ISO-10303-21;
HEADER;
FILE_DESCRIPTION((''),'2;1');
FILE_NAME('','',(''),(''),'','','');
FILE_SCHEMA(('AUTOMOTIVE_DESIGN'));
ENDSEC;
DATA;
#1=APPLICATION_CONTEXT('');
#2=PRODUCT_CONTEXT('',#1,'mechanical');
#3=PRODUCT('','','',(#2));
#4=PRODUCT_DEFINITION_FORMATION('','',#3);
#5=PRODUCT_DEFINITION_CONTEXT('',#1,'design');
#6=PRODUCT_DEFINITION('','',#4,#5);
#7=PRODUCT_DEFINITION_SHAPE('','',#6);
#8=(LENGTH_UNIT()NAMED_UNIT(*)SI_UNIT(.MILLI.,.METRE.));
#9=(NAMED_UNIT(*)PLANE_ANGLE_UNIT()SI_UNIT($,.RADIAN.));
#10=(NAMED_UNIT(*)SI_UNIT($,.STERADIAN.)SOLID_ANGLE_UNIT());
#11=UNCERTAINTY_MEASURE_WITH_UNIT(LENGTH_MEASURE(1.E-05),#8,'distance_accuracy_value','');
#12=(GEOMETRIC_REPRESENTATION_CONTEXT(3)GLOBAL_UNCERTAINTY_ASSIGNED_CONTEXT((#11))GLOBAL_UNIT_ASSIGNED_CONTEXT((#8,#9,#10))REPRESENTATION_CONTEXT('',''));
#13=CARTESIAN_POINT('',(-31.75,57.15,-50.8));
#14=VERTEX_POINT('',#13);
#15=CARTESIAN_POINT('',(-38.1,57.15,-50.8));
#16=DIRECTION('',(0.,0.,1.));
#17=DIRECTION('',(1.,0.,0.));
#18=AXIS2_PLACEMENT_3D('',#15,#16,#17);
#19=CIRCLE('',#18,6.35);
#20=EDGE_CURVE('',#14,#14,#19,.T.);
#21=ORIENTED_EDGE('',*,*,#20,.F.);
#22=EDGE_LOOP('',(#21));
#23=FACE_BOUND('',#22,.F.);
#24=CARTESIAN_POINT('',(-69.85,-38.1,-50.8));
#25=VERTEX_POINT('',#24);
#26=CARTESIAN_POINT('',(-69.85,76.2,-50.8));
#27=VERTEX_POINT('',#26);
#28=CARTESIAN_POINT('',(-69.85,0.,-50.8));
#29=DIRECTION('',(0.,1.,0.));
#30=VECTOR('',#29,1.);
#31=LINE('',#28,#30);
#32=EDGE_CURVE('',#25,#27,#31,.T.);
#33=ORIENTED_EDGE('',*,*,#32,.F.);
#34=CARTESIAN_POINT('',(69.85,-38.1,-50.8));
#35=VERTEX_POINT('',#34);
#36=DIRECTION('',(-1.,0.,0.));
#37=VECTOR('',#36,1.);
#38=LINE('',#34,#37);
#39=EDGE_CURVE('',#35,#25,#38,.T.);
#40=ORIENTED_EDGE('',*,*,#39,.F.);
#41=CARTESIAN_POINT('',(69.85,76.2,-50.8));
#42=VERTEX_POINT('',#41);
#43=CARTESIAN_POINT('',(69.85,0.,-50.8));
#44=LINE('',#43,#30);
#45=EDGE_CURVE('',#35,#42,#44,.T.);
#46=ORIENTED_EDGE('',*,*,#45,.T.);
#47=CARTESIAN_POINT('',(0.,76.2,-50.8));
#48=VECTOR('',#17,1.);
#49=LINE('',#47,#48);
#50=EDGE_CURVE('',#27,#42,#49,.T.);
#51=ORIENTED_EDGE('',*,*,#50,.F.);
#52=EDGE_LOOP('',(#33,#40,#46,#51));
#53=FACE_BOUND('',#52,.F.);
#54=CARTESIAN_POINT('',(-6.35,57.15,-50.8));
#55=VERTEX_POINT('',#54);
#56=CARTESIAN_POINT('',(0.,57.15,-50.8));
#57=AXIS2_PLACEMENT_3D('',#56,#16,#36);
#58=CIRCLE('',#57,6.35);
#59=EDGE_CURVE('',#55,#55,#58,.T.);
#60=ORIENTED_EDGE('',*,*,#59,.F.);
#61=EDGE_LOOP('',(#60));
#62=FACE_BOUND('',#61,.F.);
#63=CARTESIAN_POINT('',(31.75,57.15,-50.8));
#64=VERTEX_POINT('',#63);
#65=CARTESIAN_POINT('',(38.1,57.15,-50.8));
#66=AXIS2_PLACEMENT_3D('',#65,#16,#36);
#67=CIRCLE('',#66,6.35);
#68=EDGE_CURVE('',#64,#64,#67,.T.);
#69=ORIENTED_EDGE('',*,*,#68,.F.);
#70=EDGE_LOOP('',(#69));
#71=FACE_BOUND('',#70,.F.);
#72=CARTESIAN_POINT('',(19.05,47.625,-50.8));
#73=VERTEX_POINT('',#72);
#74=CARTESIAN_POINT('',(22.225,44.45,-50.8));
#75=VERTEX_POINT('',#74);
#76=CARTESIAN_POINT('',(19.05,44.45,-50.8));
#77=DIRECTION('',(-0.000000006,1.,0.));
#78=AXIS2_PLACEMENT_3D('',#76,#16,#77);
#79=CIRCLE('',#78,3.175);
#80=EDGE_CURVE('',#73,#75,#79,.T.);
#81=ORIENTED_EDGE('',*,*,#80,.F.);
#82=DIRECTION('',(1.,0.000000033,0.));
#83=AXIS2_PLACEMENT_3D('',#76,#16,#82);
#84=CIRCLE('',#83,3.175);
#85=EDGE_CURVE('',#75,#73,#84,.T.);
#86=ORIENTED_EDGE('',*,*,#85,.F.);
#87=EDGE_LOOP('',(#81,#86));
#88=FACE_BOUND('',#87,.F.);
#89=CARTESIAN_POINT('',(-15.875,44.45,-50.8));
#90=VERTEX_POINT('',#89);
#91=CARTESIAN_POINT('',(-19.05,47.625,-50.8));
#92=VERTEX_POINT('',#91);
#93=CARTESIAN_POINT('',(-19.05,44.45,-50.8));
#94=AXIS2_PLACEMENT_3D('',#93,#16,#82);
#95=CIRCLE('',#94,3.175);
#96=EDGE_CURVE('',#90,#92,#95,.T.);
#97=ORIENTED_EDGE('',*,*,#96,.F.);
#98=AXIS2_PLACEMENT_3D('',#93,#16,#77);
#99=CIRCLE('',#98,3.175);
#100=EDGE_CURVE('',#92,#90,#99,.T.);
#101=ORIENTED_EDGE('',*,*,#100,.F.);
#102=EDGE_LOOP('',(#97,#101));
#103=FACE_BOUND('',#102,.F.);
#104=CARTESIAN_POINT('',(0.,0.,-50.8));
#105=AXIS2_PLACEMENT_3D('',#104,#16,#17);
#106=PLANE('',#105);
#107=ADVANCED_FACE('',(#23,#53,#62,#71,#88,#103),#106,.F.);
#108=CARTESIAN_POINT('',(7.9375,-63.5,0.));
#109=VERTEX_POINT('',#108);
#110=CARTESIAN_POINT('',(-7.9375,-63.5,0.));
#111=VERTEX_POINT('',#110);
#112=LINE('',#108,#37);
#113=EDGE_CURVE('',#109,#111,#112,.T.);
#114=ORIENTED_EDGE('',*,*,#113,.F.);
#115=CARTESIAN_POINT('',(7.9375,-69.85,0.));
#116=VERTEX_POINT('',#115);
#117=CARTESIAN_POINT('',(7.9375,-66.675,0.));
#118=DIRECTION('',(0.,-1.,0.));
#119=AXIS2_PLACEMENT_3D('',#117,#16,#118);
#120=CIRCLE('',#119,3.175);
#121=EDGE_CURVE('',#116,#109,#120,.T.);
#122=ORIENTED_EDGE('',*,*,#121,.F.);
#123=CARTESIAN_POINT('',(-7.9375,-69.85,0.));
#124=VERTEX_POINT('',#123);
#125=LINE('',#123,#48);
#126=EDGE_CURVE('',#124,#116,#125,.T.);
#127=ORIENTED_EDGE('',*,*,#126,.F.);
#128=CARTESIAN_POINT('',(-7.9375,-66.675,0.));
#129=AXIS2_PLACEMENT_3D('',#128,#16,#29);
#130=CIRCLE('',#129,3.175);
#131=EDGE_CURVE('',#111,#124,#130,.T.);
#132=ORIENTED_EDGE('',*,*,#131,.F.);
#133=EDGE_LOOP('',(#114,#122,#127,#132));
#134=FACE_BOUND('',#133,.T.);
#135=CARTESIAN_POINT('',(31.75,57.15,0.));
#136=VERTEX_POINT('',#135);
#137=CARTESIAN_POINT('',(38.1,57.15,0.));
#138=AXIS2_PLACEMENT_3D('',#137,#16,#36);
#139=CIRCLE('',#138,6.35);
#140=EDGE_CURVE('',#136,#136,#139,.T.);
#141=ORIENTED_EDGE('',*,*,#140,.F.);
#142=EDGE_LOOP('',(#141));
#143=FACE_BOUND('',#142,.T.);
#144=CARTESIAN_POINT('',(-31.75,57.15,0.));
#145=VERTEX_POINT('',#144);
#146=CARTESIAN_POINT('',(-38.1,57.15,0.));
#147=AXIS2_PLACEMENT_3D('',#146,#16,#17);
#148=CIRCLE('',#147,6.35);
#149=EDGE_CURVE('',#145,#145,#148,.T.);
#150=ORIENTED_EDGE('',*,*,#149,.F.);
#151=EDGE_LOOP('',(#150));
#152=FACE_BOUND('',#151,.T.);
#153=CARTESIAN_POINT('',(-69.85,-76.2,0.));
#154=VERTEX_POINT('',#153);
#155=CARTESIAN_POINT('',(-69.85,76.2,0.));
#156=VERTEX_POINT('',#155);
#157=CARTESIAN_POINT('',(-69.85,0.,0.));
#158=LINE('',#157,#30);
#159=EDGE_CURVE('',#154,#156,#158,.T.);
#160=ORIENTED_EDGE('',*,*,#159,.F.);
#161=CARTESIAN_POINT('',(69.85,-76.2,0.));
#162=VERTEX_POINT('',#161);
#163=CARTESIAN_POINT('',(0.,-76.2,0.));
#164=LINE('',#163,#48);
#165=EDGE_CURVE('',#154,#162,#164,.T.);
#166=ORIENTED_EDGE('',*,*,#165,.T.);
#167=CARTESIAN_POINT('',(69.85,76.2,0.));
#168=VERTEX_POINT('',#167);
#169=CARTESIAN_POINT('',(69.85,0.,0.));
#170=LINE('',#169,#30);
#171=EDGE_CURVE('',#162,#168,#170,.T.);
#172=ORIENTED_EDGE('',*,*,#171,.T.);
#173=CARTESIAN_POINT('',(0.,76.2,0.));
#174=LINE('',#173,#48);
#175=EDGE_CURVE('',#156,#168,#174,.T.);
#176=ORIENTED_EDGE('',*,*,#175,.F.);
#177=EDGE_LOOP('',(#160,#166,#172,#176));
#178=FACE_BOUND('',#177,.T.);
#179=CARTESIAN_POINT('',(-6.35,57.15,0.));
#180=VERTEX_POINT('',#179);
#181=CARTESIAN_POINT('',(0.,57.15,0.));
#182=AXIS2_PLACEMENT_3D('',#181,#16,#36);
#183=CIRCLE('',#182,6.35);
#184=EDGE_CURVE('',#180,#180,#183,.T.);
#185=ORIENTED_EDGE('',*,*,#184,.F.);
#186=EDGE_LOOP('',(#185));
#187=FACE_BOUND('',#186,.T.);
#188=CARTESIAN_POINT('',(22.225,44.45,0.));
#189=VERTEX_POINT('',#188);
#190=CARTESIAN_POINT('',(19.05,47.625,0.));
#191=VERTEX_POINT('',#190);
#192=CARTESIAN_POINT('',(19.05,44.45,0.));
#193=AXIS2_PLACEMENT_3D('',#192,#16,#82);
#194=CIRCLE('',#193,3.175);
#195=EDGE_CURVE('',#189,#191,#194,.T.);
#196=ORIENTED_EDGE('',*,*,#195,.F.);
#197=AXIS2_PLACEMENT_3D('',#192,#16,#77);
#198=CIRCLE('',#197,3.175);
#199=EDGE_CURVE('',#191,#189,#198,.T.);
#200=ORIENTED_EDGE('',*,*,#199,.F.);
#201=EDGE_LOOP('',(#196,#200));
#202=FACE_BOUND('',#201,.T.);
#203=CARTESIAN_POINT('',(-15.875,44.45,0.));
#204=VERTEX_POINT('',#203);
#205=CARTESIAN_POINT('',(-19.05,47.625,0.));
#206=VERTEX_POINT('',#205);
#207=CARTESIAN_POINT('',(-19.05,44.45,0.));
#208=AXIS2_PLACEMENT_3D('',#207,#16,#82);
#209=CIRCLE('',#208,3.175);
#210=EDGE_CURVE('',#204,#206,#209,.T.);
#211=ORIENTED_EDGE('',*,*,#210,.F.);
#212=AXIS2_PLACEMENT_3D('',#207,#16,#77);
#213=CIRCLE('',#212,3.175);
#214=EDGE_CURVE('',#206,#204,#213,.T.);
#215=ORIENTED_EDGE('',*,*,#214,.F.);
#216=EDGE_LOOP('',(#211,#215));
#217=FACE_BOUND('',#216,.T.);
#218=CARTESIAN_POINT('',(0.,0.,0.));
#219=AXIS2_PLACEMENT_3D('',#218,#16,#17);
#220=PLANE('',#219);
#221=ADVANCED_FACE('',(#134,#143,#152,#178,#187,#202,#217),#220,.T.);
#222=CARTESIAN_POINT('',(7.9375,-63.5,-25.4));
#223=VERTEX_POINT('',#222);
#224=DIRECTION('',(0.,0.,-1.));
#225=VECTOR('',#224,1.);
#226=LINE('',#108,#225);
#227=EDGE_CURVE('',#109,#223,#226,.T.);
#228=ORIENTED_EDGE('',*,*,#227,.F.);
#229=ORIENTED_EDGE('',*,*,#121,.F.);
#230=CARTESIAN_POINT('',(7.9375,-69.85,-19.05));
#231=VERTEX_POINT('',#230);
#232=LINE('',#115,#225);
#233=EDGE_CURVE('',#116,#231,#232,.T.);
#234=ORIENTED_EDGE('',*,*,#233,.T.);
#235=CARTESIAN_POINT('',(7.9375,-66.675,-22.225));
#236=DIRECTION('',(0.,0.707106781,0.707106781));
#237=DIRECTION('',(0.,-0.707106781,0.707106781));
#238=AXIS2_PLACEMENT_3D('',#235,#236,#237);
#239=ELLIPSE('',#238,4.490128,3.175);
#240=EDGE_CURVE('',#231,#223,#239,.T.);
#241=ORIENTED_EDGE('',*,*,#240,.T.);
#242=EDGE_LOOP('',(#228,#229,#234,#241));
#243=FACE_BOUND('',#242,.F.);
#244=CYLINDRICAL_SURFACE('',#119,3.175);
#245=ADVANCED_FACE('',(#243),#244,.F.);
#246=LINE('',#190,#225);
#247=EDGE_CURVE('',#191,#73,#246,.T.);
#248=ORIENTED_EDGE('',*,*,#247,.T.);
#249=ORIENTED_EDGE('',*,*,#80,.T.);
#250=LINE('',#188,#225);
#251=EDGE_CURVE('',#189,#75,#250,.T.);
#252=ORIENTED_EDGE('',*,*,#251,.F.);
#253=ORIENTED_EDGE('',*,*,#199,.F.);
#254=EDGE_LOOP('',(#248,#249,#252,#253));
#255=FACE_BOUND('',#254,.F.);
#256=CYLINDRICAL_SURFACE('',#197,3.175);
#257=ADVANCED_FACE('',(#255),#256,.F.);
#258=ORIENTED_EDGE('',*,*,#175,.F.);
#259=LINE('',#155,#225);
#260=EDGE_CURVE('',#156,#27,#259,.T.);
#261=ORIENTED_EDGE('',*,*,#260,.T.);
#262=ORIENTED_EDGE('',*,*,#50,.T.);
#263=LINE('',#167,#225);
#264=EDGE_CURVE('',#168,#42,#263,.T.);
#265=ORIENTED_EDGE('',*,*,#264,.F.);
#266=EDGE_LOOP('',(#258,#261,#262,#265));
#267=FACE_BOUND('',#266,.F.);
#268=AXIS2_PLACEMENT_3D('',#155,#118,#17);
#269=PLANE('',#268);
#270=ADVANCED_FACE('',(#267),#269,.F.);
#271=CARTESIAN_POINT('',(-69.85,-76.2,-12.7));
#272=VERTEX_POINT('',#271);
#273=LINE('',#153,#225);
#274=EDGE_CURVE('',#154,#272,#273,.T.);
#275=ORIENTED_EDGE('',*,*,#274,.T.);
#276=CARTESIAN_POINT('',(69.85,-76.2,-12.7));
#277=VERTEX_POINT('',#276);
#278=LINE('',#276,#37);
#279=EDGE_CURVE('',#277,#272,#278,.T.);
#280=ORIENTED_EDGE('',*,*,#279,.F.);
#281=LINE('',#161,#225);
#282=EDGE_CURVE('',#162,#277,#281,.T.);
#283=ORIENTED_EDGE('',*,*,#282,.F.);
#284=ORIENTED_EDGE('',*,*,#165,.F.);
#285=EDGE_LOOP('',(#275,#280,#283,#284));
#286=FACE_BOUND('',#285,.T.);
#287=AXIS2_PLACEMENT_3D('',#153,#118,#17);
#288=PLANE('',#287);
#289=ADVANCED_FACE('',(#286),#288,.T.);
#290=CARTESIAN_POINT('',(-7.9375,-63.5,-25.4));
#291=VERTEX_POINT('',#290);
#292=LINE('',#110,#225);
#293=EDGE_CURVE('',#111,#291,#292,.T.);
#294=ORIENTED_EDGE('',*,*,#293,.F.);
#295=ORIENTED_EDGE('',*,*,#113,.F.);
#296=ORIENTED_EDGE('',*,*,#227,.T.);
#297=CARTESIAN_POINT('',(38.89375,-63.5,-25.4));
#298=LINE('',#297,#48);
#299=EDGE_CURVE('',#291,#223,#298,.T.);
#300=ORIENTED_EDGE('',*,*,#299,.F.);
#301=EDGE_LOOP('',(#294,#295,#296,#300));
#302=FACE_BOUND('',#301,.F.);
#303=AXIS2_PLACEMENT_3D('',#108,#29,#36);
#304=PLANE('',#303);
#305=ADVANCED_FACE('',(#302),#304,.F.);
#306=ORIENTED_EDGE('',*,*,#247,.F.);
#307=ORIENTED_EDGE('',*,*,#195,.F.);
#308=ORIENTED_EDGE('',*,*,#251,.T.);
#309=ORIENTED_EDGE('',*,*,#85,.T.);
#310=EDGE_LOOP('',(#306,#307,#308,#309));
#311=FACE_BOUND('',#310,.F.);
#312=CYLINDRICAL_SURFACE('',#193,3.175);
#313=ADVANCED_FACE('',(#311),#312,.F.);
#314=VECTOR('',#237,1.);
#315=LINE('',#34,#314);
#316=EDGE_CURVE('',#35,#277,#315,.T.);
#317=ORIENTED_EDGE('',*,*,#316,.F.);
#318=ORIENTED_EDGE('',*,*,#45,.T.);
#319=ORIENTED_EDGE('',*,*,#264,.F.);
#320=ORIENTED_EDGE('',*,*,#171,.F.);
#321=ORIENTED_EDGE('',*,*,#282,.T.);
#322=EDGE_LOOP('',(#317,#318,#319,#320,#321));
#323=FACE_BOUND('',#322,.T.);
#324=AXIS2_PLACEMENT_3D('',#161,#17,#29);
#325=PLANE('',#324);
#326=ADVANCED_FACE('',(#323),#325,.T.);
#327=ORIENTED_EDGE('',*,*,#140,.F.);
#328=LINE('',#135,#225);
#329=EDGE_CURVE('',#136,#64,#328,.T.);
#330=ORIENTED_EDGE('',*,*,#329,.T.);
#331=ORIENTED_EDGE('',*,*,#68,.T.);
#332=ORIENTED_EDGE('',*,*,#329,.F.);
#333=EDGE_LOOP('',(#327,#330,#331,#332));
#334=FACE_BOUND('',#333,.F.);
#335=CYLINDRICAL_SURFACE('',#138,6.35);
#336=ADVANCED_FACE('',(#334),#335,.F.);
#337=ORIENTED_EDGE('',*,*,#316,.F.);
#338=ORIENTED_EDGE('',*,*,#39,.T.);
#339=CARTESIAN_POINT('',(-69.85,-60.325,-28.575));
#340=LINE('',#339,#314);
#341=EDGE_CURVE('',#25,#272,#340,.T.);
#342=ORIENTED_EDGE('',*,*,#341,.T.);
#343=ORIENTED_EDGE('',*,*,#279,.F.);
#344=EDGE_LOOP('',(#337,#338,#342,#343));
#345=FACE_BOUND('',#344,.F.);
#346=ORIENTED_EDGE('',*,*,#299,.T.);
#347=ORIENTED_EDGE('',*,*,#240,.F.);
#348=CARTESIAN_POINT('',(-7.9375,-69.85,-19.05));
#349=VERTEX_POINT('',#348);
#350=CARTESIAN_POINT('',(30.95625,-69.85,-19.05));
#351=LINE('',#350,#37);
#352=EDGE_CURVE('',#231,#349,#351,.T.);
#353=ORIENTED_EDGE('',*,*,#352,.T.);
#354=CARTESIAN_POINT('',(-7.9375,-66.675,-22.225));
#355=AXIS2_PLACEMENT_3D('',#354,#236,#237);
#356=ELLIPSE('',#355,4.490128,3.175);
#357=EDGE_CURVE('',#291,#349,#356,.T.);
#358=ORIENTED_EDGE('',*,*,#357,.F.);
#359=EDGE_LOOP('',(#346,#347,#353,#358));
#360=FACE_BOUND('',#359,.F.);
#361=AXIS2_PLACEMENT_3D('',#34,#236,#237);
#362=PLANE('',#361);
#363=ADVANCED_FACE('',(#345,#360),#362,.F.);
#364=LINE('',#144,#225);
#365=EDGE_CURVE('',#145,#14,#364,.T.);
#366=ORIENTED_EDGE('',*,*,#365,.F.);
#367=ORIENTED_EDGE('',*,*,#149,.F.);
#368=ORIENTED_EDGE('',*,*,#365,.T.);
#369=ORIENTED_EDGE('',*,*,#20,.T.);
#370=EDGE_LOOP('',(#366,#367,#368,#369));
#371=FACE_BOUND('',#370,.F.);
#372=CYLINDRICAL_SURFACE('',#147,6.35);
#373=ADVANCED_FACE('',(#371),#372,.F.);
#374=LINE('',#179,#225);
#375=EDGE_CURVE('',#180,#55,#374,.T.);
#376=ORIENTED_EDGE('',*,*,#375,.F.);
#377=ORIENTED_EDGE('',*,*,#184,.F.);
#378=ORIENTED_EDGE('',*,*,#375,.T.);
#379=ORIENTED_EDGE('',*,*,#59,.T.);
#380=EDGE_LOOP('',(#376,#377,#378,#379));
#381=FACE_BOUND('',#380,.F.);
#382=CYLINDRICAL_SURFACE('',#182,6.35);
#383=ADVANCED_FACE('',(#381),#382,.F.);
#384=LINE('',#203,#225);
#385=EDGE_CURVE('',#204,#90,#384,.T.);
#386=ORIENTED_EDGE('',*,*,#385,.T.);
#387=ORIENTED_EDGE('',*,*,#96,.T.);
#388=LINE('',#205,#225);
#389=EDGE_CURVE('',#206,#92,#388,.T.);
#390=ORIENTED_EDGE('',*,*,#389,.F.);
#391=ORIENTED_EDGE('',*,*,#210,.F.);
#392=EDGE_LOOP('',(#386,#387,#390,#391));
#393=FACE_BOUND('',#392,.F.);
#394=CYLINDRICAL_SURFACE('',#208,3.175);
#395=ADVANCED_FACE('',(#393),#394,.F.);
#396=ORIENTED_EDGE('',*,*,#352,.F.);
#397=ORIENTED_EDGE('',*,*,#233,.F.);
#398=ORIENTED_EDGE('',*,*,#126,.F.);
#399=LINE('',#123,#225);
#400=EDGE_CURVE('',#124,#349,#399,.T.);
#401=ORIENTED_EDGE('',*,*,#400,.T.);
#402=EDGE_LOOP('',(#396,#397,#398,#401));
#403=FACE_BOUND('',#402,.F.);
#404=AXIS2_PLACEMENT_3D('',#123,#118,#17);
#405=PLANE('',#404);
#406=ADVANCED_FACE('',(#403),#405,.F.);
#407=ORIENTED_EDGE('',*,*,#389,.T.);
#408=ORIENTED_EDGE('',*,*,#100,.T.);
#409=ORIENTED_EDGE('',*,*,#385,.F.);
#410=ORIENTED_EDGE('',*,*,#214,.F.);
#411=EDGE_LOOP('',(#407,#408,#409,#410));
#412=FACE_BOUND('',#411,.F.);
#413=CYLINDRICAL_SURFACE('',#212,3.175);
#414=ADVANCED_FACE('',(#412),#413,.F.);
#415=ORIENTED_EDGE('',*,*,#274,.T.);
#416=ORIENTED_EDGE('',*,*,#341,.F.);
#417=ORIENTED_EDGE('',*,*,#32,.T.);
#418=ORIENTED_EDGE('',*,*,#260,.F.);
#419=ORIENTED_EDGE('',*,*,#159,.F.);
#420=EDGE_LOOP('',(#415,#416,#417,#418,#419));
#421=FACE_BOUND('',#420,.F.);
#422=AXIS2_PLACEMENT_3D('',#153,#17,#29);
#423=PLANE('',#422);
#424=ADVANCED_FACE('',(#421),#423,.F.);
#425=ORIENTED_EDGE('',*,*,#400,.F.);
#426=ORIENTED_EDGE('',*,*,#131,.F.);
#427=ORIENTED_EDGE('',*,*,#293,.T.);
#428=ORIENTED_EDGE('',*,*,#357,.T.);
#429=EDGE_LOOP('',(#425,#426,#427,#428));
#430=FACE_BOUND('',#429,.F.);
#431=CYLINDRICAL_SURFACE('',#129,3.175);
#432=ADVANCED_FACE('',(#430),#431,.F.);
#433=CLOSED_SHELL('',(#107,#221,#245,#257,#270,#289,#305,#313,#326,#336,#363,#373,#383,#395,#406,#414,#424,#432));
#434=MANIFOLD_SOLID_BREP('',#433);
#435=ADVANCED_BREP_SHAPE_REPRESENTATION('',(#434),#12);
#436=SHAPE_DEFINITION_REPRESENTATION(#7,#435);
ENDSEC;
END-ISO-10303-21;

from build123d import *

# Parameters (mm, degrees)
F0_W     = 139.7
F0_H     = 152.4
F1_DEPTH = 50.8
F2_R     = 6.35
F3_DEPTH = 50.801
F5_DEPTH = 139.701


with BuildPart() as f1:
    # F0 (on Top) → F1 (new body)
    with BuildSketch(Plane.XY):
        Rectangle(F0_W, F0_H)
    extrude(amount=-F1_DEPTH)

    # F2 (on face) → F3 (cut, through all)
    with BuildSketch(Plane.XY):
        with BuildLine():
            Line((-7.9375, -69.85), (7.9375, -69.85))
            ThreePointArc((7.9375, -69.85), (11.1125, -66.675), (7.9375, -63.5))
            Line((7.9375, -63.5), (-7.9375, -63.5))
            ThreePointArc((-7.9375, -63.5), (-11.1125, -66.675), (-7.9375, -69.85))
        make_face()
        with BuildLine():
            Line((0, 57.15), (6.35, 57.15))
            ThreePointArc((6.35, 57.15), (0, 63.5), (-6.35, 57.15))
            Line((-6.35, 57.15), (0, 57.15))
        make_face()
        with BuildLine():
            ThreePointArc((-15.875, 44.45), (-16.804936, 46.695064), (-19.05, 47.625))
            ThreePointArc((-19.05, 47.625), (-21.295064, 42.204936), (-15.875, 44.45))
        make_face()
        with Locations((-38.1, 57.15)):
            Circle(F2_R)
        with BuildLine():
            ThreePointArc((44.45, 57.15), (38.1, 63.5), (31.75, 57.15))
            ThreePointArc((31.75, 57.15), (38.1, 50.8), (44.45, 57.15))
        make_face()
        with BuildLine():
            ThreePointArc((22.225, 44.45), (21.295064, 46.695064), (19.05, 47.625))
            ThreePointArc((19.05, 47.625), (16.804936, 42.204936), (22.225, 44.45))
        make_face()
        with BuildLine():
            ThreePointArc((-6.35, 57.15), (0, 50.8), (6.35, 57.15))
            Line((6.35, 57.15), (0, 57.15))
            Line((0, 57.15), (-6.35, 57.15))
        make_face()
    extrude(amount=-F3_DEPTH, mode=Mode.SUBTRACT)

    # F4 (on face) → F5 (cut, through all)
    with BuildSketch(Plane.YZ.offset(69.85)):
        Polygon((-76.2, -12.7), (-76.2, -50.8), (-38.1, -50.8), align=None)
    extrude(amount=-F5_DEPTH, mode=Mode.SUBTRACT)


solid = f1.part
